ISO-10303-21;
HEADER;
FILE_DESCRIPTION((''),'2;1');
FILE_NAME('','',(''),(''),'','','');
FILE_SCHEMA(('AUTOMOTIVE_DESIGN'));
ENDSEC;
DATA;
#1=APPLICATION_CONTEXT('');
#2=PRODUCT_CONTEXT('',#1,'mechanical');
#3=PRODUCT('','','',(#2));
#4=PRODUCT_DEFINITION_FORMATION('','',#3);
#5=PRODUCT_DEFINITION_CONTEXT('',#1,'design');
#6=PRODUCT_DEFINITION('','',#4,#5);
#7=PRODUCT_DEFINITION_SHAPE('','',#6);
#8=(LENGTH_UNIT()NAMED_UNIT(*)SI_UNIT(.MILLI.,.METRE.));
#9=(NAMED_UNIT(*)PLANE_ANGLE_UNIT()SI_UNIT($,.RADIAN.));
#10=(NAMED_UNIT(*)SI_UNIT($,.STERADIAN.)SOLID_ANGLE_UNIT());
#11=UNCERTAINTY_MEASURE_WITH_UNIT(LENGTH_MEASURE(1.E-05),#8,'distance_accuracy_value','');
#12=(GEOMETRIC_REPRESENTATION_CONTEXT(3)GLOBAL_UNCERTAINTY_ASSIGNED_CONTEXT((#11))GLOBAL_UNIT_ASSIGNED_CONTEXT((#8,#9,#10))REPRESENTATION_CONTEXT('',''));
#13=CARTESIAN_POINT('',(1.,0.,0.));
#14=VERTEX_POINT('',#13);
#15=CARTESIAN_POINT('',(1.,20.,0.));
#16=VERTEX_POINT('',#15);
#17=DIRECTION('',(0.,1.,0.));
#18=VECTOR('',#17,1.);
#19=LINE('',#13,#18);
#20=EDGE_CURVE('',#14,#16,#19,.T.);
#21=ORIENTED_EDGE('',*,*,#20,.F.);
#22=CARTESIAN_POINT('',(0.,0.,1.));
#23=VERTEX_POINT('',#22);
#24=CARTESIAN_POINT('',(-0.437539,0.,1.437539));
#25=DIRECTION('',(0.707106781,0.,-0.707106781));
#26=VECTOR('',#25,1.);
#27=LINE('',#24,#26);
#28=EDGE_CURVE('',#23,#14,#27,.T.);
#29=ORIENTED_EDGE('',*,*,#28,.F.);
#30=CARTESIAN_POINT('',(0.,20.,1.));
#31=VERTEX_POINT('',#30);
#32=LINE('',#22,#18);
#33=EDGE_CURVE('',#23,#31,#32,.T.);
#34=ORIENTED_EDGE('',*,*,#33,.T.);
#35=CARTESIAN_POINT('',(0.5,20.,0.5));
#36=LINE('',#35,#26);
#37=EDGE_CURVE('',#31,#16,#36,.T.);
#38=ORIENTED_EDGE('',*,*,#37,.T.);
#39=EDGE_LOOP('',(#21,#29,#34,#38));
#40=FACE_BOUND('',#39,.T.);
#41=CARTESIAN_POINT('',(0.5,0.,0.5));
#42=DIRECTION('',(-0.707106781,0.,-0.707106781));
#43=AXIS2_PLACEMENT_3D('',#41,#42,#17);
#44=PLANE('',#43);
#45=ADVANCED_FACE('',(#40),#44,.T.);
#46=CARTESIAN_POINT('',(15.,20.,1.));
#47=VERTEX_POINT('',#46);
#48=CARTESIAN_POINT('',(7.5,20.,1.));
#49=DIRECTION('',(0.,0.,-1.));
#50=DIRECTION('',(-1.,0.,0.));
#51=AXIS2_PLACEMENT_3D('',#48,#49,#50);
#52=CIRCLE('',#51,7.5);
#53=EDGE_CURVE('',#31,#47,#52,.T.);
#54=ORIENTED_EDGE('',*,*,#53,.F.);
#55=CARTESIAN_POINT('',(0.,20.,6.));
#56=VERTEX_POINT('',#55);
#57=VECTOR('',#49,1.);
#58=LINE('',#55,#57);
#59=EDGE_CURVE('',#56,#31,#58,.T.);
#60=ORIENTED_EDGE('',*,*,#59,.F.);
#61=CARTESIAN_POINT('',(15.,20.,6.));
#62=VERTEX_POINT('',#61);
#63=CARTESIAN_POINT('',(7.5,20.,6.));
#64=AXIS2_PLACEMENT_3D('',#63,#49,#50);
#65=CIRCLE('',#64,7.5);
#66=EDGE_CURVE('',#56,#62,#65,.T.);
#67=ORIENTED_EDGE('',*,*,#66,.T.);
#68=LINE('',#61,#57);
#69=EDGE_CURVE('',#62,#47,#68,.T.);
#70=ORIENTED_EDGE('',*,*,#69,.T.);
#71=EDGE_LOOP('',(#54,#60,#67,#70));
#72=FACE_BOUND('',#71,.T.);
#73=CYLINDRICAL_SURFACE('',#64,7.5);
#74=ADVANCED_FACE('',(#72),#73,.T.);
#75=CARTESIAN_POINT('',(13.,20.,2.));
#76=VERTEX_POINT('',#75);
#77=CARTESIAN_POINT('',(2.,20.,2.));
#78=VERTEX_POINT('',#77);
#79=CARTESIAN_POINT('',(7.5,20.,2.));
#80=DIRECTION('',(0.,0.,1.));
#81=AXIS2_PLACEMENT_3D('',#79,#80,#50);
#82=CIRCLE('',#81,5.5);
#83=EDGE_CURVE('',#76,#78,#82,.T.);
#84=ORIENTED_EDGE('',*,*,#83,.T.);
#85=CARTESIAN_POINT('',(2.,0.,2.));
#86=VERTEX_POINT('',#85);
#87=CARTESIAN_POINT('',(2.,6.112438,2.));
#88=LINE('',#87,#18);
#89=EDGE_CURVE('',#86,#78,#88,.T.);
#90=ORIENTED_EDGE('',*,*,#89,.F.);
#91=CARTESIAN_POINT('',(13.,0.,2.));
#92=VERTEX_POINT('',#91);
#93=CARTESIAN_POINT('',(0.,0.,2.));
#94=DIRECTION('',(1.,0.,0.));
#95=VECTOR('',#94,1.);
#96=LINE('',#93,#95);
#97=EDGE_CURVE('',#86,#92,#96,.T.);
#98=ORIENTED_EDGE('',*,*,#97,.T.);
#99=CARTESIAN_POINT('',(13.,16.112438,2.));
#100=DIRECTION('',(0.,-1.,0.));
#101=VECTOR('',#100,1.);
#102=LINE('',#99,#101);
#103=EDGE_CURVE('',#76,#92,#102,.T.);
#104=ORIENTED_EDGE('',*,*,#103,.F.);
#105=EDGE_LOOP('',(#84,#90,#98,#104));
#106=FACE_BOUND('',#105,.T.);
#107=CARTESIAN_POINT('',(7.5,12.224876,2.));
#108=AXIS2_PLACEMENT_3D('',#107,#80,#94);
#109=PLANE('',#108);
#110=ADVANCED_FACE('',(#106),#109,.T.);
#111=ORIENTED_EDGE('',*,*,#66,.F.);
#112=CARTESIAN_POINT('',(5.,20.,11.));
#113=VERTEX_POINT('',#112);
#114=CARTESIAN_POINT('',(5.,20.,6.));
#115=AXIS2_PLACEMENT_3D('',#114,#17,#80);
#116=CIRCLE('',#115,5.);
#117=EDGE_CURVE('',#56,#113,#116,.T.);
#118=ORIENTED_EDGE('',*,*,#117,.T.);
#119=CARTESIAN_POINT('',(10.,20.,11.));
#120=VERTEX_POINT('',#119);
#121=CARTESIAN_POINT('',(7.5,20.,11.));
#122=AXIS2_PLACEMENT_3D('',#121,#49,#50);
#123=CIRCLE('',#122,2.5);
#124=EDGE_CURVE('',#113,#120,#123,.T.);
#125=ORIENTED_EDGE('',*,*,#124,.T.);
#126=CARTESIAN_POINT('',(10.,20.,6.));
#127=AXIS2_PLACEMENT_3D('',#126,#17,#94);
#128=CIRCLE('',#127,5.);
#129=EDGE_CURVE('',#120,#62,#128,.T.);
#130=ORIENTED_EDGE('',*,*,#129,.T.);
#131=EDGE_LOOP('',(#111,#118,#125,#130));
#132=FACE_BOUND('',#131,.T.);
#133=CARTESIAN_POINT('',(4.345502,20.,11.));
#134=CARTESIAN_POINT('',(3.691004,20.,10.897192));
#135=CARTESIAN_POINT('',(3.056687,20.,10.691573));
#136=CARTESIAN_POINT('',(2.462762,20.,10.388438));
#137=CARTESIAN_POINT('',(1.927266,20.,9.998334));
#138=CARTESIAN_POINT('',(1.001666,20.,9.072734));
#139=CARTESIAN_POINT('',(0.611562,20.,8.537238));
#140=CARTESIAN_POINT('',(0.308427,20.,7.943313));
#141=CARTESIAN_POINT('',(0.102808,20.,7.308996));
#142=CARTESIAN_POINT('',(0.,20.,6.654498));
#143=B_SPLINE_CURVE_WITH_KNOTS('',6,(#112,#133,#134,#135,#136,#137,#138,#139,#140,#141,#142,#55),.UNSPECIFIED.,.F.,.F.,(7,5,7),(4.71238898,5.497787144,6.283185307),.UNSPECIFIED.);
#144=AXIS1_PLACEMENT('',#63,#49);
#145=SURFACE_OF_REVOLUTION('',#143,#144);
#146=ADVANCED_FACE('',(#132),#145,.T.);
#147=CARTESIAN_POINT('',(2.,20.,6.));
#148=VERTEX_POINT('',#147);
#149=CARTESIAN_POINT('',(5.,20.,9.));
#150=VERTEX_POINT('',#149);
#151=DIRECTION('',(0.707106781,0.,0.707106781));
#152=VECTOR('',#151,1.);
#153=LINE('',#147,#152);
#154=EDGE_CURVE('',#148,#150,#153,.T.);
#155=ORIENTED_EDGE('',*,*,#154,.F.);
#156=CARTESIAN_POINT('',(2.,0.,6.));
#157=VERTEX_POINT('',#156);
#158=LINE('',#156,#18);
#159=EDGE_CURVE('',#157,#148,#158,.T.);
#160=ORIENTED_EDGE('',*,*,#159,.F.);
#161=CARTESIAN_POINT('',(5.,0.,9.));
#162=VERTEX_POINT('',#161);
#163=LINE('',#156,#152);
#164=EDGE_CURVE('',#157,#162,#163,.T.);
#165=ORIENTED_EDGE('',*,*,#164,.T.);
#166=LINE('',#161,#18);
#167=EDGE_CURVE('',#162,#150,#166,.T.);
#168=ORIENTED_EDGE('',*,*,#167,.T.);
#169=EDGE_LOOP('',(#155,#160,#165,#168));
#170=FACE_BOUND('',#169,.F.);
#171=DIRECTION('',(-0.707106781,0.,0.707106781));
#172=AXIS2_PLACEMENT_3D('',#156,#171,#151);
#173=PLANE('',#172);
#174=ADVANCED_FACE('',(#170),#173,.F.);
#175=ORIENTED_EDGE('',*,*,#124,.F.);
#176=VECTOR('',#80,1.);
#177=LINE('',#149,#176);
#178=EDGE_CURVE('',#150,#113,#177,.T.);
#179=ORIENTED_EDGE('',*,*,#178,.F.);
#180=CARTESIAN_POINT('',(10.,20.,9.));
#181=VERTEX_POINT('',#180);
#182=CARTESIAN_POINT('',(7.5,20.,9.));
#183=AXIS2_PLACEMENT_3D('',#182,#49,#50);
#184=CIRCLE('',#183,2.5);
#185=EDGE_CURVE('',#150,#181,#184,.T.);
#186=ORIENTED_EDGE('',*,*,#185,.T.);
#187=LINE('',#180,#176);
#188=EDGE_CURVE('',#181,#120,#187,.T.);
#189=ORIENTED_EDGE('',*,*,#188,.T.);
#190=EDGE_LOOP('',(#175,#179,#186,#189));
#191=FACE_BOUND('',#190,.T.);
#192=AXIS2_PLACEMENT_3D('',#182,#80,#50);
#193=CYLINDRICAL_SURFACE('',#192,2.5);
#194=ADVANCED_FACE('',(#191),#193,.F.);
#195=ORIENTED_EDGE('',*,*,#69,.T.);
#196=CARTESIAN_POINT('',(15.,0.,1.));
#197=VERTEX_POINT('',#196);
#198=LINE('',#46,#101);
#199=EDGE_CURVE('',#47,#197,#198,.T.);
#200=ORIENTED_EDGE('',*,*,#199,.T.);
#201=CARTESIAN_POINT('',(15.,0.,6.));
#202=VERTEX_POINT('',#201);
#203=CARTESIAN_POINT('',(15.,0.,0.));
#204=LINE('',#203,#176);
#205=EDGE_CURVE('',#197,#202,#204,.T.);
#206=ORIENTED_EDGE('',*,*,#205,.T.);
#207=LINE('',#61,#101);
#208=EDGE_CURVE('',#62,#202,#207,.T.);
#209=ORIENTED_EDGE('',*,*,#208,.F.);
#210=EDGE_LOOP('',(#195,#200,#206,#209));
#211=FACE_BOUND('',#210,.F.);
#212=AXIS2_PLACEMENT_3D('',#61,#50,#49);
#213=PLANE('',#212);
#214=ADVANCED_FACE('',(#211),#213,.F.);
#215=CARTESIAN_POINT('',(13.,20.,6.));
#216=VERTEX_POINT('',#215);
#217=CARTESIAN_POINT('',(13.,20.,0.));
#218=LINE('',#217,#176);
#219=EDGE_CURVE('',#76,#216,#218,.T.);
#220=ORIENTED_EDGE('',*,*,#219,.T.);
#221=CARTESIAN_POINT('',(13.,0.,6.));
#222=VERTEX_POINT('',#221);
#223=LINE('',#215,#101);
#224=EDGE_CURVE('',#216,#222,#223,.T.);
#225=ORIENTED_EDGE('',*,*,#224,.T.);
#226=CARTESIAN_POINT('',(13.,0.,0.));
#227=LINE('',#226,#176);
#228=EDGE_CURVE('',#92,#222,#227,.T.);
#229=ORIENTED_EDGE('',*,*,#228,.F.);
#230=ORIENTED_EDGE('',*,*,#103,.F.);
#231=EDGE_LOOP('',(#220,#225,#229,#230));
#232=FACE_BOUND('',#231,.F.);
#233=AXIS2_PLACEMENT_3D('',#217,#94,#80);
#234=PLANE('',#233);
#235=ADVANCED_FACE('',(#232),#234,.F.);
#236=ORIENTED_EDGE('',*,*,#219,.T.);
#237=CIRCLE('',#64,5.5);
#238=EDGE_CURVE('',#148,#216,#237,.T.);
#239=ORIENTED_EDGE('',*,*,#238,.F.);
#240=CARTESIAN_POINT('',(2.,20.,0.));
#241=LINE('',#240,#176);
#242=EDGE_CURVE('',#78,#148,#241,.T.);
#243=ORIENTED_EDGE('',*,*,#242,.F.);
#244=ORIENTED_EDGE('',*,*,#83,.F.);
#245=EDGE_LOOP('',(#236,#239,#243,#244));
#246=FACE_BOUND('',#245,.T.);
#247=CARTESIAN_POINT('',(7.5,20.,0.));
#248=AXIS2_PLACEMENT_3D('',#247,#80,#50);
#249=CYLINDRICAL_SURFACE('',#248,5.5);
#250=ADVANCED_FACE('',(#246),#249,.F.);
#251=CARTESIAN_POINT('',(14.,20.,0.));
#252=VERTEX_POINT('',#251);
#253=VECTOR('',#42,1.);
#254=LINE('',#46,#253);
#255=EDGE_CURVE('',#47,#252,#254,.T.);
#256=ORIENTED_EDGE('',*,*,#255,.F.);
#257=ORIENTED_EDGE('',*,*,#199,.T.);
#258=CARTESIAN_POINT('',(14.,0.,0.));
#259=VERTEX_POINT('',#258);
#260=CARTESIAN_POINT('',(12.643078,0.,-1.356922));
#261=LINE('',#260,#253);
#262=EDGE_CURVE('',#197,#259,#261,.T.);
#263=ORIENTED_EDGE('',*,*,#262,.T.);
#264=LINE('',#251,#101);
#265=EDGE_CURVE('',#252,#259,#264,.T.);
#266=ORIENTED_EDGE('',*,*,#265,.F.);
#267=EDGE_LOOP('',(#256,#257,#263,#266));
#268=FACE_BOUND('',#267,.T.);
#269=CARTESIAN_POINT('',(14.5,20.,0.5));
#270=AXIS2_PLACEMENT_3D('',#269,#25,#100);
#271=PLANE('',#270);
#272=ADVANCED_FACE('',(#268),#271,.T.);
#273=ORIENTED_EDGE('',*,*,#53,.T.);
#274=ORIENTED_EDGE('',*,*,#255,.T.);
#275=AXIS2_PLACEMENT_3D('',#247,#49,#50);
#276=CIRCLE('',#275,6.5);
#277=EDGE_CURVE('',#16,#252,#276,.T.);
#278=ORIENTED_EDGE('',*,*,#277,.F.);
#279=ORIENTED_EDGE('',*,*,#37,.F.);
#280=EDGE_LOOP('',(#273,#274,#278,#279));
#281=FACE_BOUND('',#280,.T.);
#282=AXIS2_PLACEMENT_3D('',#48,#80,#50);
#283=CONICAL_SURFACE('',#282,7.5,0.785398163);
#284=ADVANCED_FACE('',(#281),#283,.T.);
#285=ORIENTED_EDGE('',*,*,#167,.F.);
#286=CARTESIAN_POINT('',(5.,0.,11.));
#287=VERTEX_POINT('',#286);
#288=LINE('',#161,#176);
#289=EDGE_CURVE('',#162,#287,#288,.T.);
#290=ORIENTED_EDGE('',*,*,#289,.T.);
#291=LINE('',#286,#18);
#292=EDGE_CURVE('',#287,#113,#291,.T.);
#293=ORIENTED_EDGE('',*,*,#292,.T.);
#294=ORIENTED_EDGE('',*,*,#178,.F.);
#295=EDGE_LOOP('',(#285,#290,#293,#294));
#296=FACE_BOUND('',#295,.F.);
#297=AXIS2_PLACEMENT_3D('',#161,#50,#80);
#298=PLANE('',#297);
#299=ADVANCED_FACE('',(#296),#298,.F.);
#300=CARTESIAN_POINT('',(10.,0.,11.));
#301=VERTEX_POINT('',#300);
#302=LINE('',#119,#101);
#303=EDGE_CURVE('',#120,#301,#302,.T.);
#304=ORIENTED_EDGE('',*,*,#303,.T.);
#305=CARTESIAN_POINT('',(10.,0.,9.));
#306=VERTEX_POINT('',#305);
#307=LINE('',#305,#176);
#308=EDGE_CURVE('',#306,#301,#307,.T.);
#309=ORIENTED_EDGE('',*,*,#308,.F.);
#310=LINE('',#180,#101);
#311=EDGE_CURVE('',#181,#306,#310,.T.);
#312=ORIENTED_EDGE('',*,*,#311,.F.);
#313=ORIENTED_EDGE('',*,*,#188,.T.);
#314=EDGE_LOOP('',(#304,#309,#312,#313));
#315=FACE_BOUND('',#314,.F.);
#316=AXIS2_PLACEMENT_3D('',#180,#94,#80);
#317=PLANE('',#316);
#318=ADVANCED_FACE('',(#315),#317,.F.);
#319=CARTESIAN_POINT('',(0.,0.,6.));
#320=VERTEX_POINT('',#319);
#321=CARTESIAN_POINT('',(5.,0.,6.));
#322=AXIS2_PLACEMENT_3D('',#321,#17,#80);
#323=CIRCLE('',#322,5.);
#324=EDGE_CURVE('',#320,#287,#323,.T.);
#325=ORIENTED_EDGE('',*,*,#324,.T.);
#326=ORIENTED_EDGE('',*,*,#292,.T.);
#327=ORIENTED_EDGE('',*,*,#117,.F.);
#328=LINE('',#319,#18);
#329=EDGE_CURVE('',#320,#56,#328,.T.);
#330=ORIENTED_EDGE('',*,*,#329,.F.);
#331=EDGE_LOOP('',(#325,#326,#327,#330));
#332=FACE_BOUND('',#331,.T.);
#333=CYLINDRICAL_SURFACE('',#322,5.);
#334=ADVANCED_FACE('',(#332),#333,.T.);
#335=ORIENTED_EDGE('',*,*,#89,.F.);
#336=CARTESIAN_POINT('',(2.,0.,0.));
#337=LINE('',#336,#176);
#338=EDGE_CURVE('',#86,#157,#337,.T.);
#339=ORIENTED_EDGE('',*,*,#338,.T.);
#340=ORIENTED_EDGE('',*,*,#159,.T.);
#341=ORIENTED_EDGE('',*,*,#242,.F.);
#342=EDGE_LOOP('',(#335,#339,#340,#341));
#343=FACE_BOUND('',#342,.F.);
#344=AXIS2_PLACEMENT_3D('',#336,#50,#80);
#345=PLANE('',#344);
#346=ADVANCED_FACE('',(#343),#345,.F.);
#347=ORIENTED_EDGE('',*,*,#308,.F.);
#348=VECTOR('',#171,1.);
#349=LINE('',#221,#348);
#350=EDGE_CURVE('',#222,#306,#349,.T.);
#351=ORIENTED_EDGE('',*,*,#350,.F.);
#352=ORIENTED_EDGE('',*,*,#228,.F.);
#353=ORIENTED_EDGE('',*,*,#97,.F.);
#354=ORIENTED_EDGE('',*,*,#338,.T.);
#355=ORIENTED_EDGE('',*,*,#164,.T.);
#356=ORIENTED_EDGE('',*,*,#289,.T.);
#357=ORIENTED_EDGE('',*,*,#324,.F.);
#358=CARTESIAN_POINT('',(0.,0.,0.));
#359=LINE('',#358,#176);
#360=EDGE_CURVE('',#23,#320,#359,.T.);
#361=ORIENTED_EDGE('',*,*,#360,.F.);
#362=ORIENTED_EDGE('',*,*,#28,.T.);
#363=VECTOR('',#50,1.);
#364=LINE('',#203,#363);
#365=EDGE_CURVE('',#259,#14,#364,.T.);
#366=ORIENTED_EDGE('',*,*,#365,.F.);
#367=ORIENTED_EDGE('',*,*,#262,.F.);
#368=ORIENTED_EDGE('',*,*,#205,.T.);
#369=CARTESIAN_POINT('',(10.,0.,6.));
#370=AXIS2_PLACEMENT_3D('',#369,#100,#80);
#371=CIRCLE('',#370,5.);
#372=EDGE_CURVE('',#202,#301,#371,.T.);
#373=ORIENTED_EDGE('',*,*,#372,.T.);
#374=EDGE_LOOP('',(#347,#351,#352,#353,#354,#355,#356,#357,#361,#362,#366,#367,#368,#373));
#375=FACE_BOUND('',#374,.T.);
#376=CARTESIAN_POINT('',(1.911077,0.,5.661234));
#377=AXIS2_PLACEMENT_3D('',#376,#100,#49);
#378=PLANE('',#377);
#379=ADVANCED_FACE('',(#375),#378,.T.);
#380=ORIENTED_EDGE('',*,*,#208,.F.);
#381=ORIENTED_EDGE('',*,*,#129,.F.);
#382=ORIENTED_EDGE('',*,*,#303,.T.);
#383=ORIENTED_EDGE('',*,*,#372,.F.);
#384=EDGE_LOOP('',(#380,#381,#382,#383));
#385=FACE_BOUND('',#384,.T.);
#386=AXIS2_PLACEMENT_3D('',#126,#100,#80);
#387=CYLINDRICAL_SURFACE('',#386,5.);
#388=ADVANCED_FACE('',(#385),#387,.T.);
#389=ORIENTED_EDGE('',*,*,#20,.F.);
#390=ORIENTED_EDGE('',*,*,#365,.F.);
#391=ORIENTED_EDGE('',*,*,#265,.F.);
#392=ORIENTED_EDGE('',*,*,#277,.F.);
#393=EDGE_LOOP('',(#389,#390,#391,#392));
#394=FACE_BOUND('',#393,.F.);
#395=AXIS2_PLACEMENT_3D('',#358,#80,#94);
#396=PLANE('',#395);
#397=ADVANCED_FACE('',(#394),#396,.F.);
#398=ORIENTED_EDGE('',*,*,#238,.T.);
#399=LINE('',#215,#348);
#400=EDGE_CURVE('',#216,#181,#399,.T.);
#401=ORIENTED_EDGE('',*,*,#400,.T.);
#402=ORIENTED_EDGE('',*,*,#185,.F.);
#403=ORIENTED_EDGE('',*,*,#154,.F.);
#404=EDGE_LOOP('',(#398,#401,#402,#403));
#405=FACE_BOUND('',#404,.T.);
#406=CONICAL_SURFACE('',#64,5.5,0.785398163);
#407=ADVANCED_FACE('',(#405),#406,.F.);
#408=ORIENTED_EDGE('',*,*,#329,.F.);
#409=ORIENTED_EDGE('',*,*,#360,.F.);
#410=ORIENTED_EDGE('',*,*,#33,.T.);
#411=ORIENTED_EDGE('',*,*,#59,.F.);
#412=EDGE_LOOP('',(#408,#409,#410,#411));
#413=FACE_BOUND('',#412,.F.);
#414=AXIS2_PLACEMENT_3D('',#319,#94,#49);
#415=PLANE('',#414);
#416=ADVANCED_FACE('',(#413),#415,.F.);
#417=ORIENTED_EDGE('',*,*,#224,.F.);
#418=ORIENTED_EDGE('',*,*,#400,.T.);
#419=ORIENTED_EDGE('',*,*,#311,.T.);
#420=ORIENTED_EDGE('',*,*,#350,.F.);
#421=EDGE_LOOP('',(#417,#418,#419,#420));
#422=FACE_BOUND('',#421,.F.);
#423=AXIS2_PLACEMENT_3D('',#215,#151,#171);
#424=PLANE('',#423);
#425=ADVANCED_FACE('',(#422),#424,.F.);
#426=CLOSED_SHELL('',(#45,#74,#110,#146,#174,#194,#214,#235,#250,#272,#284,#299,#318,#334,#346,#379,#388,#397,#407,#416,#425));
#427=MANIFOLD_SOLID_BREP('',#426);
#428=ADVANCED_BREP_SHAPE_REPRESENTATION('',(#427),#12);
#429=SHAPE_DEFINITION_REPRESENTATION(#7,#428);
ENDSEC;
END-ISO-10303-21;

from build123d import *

# Parameters (mm, degrees)
F3_DEPTH = 2
F4_SIZE  = 1


with BuildPart() as f2:
    # F2: sweep along a path in F1
    with BuildLine(Plane.XY) as f2_path:
        Line((0, 0), (0, 20))
        ThreePointArc((0, 20), (2.1966991411, 25.3033008589), (7.5, 27.5))
        ThreePointArc((7.5, 27.5), (12.8033008589, 25.3033008589), (15, 20))
        Line((15, 20), (15, 0))
    # F0 (on Front) → F2 (sweep)
    with BuildSketch(Plane.XZ):
        with BuildLine():
            Line((0, 6), (0, 0))
            Line((0, 0), (2, 0))
            Line((2, 0), (2, 6.0000002682))
            Line((2, 6.0000002682), (5, 9.0000002682))
            Line((5, 9.0000002682), (5, 11))
            ThreePointArc((5, 11), (1.4644660941, 9.5355339059), (0, 6))
        make_face()
    sweep(path=f2_path.line)

    # F1 (on Top) → F3 (join)
    with BuildSketch(Plane.XY):
        with BuildLine():
            Line((0, 20), (0, 0))
            Line((0, 0), (7.5, 0))
            Line((7.5, 0), (15, 0))
            Line((15, 0), (15, 20))
            ThreePointArc((15, 20), (12.8033008589, 25.3033008589), (7.5, 27.5))
            ThreePointArc((7.5, 27.5), (2.1966991411, 25.3033008589), (0, 20))
        make_face()
    extrude(amount=F3_DEPTH)

    # F4
    f4_edges = [f2.edges().sort_by_distance(p)[0] for p in [
        (0, 10, 0),
        (7.5, 27.5, 0),
        (15, 10, 0),
    ]]
    chamfer(f4_edges, length=F4_SIZE)


solid = f2.part
